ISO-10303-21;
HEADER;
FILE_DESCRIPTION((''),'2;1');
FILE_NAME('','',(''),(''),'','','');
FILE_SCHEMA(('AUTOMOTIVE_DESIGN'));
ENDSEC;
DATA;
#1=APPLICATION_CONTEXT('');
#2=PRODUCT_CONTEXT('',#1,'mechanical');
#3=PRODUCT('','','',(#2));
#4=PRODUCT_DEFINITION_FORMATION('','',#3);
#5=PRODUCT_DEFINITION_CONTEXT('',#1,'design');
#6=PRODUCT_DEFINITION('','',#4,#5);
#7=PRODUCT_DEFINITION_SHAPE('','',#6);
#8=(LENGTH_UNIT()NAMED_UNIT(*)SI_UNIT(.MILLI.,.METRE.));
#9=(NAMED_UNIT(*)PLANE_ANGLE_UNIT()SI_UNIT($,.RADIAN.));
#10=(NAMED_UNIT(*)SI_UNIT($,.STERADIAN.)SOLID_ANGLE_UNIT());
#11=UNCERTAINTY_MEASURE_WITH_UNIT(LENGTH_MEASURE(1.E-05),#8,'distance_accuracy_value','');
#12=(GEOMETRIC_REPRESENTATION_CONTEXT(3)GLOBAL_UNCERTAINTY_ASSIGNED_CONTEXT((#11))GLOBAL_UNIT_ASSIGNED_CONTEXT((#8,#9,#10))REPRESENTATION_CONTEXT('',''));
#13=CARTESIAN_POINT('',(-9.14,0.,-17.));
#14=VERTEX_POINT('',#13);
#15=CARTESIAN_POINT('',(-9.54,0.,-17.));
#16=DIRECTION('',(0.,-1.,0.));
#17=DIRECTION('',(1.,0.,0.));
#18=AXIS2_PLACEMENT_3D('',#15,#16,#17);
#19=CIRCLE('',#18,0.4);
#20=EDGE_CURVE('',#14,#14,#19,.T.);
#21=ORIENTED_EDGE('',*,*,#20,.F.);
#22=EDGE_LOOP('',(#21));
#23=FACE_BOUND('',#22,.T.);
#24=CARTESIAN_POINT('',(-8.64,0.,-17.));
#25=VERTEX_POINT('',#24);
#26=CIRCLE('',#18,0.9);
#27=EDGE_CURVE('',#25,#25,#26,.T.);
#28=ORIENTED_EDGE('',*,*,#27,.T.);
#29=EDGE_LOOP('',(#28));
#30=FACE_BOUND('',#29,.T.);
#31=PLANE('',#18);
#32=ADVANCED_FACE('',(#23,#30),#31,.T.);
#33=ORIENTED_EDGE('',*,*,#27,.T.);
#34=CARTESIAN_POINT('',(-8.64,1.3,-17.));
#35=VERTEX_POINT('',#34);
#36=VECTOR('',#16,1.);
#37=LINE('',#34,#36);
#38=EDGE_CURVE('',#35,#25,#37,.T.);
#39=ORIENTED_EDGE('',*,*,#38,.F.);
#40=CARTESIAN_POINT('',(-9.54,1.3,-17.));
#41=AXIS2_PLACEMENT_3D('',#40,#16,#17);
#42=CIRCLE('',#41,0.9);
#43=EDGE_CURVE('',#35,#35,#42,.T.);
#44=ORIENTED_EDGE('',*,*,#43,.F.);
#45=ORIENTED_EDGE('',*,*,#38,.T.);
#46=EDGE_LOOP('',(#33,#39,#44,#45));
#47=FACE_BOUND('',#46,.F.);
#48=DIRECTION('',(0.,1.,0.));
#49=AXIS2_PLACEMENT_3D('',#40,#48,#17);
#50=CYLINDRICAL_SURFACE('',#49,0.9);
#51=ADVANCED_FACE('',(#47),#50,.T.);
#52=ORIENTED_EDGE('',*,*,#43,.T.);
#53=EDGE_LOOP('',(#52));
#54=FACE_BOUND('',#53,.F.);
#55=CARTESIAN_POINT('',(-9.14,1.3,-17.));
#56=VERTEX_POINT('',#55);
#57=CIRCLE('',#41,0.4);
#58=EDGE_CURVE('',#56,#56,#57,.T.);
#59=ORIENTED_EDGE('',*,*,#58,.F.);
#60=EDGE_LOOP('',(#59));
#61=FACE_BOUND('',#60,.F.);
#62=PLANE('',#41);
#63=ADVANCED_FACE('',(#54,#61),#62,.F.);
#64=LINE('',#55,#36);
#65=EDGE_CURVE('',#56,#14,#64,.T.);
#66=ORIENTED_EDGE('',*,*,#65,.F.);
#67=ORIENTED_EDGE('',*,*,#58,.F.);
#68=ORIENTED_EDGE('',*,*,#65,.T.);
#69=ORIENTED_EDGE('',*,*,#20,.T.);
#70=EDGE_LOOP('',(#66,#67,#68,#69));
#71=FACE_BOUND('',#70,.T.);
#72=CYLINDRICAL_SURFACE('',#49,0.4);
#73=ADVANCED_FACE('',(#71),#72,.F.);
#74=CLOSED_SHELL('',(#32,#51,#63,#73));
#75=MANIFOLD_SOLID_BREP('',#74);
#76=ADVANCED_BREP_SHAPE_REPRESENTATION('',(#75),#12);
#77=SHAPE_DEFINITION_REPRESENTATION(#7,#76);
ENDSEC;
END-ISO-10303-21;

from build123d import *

# Parameters (mm, degrees)
CYLINDER172_R          = 0.4
CYLINDER172_DEPTH      = 1.3
CYLINDER173_R          = 0.9
CYLINDER173_DEPTH      = 1.3
CUT116_PLACEMENT_ANGLE = 90


with BuildPart() as cylinder172:
    # Cylinder172 → Cylinder172 (new body)
    with BuildSketch(Plane.XY):
        Circle(CYLINDER172_R)
    extrude(amount=CYLINDER172_DEPTH)


with BuildPart() as contact001:
    # Cylinder173 → Cylinder173 (new body)
    with BuildSketch(Plane.XY):
        Circle(CYLINDER173_R)
    extrude(amount=CYLINDER173_DEPTH)

    # Cut116: cut Cylinder172
    add(cylinder172.part, mode=Mode.SUBTRACT)


with BuildPart() as contact001_1:
    # Cut116 placement: moved
    add(contact001.part.moved(Location((-9.54, 1.3, -17))).rotate(Axis((-9.54, 1.3, -17), (1, 0, 0)), CUT116_PLACEMENT_ANGLE))


solid = contact001_1.part
